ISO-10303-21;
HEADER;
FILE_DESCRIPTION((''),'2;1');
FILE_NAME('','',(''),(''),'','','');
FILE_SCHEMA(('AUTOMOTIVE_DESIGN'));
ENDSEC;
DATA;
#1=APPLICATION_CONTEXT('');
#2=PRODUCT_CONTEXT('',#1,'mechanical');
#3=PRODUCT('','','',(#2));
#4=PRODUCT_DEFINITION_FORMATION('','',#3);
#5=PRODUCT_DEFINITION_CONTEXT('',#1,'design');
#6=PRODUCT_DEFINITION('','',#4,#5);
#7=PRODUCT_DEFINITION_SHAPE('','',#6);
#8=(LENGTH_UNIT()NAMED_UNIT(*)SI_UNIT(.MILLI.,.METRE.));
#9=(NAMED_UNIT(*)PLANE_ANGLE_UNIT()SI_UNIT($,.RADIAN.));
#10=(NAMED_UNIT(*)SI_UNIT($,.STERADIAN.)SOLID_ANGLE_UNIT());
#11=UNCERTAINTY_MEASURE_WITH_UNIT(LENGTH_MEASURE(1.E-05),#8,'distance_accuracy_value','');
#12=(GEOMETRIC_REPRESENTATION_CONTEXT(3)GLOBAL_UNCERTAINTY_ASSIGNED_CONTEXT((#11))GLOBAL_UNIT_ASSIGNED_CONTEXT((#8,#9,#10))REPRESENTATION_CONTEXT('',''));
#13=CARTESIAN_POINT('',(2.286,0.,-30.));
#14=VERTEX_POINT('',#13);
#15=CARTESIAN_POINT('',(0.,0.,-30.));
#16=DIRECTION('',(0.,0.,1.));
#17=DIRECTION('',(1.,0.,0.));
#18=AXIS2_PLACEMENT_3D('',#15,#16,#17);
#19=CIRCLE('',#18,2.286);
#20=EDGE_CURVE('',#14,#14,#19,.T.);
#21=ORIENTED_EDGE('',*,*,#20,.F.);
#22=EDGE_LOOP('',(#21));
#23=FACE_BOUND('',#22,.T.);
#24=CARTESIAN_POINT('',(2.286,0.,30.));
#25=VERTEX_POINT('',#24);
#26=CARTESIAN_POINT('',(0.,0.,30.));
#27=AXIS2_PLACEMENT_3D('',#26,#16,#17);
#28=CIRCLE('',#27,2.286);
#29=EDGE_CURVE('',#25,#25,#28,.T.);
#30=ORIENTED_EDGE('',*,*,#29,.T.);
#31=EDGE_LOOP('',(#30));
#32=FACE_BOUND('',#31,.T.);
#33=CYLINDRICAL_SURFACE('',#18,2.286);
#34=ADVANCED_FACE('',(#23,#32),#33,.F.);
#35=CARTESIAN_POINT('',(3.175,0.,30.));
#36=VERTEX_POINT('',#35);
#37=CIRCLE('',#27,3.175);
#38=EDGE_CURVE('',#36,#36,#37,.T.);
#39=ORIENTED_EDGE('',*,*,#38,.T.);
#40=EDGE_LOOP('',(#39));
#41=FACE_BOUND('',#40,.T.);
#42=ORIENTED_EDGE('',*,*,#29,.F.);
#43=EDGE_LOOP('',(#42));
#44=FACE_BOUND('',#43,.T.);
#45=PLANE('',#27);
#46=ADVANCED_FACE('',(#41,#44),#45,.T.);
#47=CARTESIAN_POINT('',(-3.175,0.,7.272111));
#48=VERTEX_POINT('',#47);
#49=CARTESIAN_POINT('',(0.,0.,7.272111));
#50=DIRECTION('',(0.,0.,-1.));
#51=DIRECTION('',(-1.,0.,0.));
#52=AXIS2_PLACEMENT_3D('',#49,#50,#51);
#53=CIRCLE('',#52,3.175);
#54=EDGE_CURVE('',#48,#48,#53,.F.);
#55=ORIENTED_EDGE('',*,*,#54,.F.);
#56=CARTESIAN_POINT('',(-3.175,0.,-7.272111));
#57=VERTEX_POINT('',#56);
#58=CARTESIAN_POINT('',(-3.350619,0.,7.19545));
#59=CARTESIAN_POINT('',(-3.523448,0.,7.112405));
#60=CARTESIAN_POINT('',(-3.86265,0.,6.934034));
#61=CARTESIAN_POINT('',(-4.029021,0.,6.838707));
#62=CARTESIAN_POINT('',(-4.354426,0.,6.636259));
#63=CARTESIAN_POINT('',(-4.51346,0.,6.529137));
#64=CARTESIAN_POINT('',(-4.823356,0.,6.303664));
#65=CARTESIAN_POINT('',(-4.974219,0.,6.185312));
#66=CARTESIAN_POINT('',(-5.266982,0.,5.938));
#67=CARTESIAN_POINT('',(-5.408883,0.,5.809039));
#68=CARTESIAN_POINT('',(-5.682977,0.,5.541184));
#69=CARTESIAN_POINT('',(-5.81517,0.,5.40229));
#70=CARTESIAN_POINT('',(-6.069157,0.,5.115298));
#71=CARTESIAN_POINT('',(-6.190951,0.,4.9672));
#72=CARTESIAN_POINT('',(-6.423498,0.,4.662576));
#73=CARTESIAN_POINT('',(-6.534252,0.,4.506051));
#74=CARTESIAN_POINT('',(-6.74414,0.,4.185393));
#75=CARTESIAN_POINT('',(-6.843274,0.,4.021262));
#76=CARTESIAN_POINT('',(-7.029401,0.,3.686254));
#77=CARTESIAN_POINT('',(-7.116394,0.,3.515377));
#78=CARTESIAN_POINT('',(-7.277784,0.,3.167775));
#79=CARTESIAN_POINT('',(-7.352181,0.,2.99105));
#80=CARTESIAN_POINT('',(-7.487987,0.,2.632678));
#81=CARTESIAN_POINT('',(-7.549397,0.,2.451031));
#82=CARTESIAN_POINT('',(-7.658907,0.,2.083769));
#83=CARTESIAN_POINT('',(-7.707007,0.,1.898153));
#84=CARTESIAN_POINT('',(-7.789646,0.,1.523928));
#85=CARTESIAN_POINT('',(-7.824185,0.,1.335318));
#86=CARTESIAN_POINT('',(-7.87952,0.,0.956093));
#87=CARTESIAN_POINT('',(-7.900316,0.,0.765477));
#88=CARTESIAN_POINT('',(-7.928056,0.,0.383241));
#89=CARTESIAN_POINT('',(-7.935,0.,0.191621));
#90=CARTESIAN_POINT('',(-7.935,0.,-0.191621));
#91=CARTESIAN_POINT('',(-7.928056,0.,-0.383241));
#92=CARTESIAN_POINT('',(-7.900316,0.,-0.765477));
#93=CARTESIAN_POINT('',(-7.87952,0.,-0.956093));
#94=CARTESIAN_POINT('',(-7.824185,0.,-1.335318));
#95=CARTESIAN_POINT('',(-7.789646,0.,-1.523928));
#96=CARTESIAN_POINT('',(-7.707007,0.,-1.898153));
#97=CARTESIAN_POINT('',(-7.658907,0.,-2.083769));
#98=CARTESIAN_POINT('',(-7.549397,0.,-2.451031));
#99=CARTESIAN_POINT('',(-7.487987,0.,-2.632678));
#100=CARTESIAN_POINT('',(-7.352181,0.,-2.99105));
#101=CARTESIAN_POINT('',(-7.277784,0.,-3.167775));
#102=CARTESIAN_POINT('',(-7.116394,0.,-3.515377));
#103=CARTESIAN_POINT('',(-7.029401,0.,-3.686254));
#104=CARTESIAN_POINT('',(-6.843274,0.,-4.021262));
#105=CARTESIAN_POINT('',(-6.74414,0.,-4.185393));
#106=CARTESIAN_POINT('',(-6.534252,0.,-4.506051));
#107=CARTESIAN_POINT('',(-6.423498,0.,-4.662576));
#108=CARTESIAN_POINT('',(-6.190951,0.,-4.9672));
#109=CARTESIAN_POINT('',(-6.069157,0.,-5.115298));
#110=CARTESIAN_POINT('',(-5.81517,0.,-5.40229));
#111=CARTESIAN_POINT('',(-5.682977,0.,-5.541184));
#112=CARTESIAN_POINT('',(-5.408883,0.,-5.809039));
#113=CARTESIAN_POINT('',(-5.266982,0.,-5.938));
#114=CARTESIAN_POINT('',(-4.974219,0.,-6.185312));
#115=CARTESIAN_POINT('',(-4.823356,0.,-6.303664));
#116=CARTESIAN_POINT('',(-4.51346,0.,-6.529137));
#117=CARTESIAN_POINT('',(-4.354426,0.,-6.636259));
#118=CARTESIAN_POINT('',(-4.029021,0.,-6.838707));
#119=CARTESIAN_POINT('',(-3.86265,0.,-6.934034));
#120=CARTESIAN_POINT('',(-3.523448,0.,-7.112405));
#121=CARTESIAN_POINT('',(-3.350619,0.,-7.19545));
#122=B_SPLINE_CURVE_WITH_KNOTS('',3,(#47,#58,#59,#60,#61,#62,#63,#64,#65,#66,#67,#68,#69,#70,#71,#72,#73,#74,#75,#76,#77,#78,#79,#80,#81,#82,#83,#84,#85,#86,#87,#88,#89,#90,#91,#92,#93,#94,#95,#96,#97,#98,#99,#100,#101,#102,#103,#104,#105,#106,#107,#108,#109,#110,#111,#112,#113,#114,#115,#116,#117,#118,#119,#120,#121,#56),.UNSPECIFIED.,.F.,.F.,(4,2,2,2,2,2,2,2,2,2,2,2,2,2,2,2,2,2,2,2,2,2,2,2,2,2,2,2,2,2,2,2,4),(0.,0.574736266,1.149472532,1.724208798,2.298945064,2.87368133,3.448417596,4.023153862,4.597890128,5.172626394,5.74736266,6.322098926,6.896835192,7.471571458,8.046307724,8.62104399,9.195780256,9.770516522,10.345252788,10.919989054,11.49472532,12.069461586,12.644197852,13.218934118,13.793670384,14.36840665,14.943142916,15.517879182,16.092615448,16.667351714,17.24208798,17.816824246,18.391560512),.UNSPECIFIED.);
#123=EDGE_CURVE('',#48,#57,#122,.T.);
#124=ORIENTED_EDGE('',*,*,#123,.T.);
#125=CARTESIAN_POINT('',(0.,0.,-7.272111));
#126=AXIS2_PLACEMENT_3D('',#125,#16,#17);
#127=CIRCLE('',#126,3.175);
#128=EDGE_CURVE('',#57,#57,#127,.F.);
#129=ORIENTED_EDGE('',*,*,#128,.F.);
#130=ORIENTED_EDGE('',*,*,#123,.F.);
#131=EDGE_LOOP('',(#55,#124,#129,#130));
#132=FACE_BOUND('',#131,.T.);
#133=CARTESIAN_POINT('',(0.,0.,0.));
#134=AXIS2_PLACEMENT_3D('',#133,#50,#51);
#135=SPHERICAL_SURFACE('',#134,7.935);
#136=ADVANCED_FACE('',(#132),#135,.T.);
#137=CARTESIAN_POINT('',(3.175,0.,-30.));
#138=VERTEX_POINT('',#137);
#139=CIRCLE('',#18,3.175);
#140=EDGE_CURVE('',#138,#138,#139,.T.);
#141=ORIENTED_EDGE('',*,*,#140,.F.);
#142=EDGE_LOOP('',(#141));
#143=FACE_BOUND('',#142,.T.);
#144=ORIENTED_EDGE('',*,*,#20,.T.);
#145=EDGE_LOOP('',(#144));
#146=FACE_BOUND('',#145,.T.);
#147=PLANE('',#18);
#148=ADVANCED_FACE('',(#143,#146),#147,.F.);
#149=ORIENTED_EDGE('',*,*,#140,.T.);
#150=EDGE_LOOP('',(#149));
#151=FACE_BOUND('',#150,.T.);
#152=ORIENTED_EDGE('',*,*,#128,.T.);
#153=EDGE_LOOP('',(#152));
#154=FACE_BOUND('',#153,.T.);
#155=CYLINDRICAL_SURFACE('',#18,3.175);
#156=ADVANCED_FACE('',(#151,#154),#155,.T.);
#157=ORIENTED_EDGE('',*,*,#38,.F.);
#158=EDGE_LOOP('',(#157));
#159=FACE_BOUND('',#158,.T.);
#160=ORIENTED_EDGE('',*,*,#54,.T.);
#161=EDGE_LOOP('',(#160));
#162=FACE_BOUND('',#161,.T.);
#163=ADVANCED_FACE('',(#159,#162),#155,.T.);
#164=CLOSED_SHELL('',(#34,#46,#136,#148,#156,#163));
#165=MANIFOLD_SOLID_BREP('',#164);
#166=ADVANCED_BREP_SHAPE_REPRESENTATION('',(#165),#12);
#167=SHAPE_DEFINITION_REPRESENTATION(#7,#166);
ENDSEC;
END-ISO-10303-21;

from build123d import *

# Parameters (mm, degrees)
CUT_EXTRUDE1_DEPTH       = 10
CUT_EXTRUDE1_DEPTH_BACK  = 10
SKETCH2_R                = 3.175
BOSS_EXTRUDE1_DEPTH      = 30
BOSS_EXTRUDE1_DEPTH_BACK = 30
SKETCH3_R                = 3.175
SKETCH3_R_2              = 2.286


with BuildPart() as part:
    # Sketch1 → Revolve1 (revolve)
    with BuildSketch(Plane(origin=(0, 0, 0), x_dir=(1, 0, 0), z_dir=(0, 1, 0))):
        with BuildLine():
            Line((0, 7.935), (0, -7.935))
            ThreePointArc((0, -7.935), (-7.935, 0), (0, 7.935))
        make_face()
    revolve(axis=Axis((0, 0, -16.813567773), (0, 0, 1)))

    # Sketch2 → Cut-Extrude1 (cut, two sides: drawn at the far end of the back side and taken through both)
    with BuildSketch(Plane.XY.offset(-CUT_EXTRUDE1_DEPTH_BACK)):
        Circle(SKETCH2_R)
    extrude(amount=CUT_EXTRUDE1_DEPTH + CUT_EXTRUDE1_DEPTH_BACK, mode=Mode.SUBTRACT)

    # Sketch3 → Boss-Extrude1 (add, two sides: drawn at the far end of the back side and taken through both)
    with BuildSketch(Plane.XY.offset(-BOSS_EXTRUDE1_DEPTH_BACK)):
        Circle(SKETCH3_R)
        Circle(SKETCH3_R_2, mode=Mode.SUBTRACT)
    extrude(amount=BOSS_EXTRUDE1_DEPTH + BOSS_EXTRUDE1_DEPTH_BACK)


solid = part.part
